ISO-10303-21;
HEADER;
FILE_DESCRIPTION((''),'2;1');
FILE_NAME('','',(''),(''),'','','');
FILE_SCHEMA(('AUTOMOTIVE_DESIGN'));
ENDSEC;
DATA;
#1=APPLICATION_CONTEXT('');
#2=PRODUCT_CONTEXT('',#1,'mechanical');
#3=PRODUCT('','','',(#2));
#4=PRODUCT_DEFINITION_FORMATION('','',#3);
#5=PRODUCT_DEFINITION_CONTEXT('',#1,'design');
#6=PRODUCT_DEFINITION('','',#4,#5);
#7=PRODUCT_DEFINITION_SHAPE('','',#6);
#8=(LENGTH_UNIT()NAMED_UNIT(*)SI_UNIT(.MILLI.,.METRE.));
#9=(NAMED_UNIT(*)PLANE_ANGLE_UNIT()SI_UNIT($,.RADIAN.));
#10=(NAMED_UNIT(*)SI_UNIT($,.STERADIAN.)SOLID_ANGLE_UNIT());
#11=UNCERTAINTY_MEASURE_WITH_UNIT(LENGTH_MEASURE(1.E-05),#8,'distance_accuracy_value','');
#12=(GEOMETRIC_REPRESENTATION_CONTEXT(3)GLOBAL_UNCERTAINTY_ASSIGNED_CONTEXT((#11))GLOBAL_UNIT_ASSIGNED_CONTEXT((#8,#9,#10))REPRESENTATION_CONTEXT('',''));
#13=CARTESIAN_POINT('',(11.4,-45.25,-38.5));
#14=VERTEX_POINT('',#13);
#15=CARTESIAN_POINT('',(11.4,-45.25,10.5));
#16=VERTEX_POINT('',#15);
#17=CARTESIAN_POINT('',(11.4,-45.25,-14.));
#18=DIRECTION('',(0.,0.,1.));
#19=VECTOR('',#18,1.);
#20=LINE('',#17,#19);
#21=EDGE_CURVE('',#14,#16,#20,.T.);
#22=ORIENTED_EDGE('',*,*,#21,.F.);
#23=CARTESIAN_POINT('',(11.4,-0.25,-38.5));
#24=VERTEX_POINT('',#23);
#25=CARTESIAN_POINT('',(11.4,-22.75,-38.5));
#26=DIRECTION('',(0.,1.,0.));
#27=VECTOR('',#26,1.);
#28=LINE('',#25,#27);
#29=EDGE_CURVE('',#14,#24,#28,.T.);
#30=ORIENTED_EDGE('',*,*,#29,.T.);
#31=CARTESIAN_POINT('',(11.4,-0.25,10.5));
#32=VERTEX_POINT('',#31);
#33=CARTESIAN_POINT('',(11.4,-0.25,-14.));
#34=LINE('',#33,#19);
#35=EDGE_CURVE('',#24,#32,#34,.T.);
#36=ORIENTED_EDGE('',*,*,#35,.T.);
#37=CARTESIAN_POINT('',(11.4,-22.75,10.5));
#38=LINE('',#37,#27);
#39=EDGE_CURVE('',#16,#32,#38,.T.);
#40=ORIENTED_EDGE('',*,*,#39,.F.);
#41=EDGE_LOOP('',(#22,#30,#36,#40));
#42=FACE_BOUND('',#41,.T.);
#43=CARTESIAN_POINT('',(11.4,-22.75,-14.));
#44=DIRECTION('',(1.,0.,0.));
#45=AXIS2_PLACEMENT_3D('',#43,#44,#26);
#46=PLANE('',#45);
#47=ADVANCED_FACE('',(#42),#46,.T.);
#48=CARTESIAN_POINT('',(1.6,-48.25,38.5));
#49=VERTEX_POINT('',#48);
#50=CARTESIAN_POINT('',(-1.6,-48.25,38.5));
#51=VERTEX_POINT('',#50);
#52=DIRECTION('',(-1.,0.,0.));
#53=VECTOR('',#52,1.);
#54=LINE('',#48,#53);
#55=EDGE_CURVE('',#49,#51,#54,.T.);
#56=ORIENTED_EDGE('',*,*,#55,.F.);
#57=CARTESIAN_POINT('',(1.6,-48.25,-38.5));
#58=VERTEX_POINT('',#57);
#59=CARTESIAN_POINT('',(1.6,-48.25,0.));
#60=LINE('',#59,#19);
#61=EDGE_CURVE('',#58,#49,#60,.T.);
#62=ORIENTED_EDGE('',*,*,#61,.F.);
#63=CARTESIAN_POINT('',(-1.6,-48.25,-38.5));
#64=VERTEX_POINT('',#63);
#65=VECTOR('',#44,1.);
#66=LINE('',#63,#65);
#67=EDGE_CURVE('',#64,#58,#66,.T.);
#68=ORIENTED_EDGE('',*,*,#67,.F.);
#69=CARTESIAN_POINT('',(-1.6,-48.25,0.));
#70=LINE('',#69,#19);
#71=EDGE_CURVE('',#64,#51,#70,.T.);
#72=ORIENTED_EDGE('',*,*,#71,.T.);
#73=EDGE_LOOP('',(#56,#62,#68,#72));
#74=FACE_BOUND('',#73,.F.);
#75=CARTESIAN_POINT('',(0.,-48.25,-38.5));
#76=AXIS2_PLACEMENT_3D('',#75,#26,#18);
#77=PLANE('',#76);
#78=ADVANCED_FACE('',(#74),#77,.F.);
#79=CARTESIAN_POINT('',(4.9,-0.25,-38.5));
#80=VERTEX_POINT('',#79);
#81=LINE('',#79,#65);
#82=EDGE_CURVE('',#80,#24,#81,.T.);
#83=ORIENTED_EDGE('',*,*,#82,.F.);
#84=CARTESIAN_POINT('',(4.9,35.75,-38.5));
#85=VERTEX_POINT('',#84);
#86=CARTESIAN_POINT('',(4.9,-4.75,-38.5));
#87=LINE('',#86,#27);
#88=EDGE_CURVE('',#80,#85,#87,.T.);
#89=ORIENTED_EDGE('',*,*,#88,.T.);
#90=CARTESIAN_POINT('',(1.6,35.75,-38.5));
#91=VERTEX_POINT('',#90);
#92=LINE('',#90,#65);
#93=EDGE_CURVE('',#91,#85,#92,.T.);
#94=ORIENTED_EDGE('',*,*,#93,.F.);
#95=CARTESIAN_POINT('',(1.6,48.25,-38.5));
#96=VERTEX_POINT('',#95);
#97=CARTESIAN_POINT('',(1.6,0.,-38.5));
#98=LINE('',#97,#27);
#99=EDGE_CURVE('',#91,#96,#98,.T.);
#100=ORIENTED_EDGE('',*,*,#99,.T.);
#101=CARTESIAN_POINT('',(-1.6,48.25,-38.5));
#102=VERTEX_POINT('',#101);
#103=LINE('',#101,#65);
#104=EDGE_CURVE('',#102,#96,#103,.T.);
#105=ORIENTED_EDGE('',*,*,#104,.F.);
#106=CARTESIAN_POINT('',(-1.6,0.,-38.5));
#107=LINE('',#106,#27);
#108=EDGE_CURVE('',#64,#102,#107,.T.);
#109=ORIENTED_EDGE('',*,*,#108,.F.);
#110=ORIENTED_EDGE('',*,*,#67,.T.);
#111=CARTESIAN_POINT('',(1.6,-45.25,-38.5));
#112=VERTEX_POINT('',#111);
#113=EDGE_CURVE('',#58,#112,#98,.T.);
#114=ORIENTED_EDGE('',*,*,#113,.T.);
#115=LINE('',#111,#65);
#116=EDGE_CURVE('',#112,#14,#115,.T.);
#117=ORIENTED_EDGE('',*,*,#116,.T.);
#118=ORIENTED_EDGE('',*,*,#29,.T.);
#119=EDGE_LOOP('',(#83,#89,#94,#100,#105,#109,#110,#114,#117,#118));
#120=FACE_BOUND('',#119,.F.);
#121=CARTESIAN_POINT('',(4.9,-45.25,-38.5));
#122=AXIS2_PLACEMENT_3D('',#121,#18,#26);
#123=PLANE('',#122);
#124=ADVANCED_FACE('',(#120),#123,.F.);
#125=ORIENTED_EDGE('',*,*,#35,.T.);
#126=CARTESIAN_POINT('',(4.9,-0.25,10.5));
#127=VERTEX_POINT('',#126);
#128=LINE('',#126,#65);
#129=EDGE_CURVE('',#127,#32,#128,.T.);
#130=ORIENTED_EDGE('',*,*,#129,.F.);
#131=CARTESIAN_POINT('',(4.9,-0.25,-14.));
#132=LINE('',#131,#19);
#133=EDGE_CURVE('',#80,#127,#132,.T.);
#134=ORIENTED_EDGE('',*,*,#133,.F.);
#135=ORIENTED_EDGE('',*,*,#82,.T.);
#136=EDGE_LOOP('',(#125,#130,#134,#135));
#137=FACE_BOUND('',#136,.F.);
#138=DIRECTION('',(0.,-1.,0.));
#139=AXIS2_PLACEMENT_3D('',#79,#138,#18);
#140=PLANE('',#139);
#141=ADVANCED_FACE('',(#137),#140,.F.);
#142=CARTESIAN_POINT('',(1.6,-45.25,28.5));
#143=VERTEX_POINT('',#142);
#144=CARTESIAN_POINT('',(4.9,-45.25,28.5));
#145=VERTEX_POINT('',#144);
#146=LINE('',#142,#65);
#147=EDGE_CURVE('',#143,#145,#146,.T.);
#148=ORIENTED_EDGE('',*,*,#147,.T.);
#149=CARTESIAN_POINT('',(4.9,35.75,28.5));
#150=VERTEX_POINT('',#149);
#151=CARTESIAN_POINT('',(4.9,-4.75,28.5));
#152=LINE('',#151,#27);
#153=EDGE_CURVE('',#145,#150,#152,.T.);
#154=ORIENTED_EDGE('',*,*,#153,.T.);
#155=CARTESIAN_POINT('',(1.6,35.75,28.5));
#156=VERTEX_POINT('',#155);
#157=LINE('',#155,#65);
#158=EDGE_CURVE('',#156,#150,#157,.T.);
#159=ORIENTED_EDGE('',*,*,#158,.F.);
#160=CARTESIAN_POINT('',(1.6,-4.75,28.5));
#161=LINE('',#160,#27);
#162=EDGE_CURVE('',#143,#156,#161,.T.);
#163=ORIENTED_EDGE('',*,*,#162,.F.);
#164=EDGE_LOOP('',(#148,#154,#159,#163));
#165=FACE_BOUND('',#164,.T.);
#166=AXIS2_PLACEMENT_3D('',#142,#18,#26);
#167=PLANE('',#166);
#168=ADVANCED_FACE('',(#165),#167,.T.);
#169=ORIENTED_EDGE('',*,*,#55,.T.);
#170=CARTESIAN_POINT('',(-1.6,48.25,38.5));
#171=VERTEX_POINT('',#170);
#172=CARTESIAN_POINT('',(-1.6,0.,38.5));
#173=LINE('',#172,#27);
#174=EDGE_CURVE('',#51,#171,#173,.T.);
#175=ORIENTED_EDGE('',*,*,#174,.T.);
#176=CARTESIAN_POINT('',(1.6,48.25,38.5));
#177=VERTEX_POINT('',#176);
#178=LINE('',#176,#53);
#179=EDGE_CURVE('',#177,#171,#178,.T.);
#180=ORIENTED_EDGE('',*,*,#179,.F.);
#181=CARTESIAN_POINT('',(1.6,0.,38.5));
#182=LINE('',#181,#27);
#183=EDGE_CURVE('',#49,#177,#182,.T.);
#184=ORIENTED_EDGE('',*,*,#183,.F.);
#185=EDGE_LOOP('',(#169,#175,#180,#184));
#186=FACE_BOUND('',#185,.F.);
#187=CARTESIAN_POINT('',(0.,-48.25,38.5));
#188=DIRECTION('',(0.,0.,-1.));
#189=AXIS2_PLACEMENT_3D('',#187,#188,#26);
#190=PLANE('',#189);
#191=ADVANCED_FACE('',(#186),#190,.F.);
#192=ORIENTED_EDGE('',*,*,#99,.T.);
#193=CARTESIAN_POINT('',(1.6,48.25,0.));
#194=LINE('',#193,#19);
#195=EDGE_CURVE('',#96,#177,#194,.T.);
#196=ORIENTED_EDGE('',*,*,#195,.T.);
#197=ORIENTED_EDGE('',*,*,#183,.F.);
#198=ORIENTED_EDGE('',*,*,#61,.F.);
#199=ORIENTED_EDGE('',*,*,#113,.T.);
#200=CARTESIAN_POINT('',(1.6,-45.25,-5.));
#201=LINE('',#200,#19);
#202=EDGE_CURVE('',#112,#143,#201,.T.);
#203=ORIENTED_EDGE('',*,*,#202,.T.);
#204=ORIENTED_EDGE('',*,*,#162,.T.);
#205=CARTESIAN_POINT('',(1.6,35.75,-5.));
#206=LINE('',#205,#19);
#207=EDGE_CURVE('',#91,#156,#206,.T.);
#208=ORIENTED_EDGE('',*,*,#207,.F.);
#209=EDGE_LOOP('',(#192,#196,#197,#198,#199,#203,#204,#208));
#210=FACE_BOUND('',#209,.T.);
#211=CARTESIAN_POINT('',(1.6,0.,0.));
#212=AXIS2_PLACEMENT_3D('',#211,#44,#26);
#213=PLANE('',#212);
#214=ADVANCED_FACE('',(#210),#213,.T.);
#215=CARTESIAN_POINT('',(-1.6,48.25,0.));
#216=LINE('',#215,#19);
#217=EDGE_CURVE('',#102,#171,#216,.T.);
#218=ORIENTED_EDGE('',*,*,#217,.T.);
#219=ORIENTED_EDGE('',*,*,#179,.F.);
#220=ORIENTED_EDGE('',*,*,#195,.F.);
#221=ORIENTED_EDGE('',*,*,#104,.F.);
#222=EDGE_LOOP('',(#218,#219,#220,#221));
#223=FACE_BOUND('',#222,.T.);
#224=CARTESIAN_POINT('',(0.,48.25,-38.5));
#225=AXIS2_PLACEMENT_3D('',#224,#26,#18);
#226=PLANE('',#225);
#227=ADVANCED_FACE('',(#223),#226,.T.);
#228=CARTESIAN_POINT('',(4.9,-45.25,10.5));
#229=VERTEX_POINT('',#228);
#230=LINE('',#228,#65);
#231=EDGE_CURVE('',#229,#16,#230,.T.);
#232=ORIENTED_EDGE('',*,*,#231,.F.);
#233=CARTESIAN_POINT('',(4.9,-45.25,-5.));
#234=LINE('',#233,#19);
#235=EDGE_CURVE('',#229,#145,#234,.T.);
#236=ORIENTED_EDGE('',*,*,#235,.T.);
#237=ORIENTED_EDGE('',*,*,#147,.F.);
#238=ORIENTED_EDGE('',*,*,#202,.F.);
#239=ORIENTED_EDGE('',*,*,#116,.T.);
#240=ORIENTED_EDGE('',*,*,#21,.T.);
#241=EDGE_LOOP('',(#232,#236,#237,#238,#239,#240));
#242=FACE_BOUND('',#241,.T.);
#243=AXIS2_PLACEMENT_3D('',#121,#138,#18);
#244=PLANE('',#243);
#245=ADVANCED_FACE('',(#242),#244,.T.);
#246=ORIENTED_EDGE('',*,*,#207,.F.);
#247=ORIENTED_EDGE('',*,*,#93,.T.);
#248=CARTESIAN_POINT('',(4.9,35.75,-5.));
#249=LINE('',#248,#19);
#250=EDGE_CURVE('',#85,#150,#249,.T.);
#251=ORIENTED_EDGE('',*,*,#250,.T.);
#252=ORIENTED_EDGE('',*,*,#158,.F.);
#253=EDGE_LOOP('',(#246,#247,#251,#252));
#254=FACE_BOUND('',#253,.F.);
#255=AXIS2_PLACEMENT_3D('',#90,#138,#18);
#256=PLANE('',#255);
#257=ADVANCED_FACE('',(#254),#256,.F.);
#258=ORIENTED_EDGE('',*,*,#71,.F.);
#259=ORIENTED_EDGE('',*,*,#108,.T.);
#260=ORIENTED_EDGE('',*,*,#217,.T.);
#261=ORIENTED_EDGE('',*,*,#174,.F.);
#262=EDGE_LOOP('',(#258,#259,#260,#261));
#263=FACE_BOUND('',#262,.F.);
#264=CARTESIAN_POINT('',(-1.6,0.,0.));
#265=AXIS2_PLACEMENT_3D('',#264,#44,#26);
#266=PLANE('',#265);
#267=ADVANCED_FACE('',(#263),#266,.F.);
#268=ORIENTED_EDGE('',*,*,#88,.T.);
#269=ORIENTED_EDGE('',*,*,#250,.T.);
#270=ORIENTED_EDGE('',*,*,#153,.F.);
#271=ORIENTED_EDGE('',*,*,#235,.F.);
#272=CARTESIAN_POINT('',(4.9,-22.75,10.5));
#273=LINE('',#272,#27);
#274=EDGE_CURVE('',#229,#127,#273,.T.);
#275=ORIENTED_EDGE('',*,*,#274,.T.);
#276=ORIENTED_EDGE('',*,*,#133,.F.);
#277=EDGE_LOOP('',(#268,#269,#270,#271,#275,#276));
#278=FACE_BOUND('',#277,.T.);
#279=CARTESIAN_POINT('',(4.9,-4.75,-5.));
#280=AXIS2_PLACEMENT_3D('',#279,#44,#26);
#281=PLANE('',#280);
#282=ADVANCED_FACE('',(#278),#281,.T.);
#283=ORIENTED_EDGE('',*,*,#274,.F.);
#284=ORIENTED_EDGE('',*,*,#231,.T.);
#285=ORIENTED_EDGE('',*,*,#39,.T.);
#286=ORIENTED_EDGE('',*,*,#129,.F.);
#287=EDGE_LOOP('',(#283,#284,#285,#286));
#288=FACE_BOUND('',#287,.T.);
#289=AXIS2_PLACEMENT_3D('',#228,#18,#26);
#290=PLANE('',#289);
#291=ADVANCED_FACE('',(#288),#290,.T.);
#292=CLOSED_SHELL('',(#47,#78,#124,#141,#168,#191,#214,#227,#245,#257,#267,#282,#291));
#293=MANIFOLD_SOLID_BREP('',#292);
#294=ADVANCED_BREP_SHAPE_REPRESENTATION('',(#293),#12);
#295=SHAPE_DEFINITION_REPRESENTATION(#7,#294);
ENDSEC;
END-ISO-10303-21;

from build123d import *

# Parameters (mm, degrees)
F0_W     = 96.5
F0_H     = 77
F1_DEPTH = 1.6
F2_W     = 81
F2_H     = 67
F3_DEPTH = 3.3
F4_W     = 45
F4_H     = 49
F5_DEPTH = 6.5


with BuildPart() as f1:
    # F0 (on Right) → F1 (new body, symmetric)
    with BuildSketch(Plane.YZ):
        Rectangle(F0_W, F0_H)
    extrude(amount=F1_DEPTH, both=True)

    # F2 (on face) → F3 (join)
    with BuildSketch(Plane.YZ.offset(1.6)):
        with Locations((-4.75, -5)):
            Rectangle(F2_W, F2_H)
    extrude(amount=F3_DEPTH)

    # F4 (on face) → F5 (join)
    with BuildSketch(Plane.YZ.offset(4.9)):
        with Locations((-22.75, -14)):
            Rectangle(F4_W, F4_H)
    extrude(amount=F5_DEPTH)


solid = f1.part
